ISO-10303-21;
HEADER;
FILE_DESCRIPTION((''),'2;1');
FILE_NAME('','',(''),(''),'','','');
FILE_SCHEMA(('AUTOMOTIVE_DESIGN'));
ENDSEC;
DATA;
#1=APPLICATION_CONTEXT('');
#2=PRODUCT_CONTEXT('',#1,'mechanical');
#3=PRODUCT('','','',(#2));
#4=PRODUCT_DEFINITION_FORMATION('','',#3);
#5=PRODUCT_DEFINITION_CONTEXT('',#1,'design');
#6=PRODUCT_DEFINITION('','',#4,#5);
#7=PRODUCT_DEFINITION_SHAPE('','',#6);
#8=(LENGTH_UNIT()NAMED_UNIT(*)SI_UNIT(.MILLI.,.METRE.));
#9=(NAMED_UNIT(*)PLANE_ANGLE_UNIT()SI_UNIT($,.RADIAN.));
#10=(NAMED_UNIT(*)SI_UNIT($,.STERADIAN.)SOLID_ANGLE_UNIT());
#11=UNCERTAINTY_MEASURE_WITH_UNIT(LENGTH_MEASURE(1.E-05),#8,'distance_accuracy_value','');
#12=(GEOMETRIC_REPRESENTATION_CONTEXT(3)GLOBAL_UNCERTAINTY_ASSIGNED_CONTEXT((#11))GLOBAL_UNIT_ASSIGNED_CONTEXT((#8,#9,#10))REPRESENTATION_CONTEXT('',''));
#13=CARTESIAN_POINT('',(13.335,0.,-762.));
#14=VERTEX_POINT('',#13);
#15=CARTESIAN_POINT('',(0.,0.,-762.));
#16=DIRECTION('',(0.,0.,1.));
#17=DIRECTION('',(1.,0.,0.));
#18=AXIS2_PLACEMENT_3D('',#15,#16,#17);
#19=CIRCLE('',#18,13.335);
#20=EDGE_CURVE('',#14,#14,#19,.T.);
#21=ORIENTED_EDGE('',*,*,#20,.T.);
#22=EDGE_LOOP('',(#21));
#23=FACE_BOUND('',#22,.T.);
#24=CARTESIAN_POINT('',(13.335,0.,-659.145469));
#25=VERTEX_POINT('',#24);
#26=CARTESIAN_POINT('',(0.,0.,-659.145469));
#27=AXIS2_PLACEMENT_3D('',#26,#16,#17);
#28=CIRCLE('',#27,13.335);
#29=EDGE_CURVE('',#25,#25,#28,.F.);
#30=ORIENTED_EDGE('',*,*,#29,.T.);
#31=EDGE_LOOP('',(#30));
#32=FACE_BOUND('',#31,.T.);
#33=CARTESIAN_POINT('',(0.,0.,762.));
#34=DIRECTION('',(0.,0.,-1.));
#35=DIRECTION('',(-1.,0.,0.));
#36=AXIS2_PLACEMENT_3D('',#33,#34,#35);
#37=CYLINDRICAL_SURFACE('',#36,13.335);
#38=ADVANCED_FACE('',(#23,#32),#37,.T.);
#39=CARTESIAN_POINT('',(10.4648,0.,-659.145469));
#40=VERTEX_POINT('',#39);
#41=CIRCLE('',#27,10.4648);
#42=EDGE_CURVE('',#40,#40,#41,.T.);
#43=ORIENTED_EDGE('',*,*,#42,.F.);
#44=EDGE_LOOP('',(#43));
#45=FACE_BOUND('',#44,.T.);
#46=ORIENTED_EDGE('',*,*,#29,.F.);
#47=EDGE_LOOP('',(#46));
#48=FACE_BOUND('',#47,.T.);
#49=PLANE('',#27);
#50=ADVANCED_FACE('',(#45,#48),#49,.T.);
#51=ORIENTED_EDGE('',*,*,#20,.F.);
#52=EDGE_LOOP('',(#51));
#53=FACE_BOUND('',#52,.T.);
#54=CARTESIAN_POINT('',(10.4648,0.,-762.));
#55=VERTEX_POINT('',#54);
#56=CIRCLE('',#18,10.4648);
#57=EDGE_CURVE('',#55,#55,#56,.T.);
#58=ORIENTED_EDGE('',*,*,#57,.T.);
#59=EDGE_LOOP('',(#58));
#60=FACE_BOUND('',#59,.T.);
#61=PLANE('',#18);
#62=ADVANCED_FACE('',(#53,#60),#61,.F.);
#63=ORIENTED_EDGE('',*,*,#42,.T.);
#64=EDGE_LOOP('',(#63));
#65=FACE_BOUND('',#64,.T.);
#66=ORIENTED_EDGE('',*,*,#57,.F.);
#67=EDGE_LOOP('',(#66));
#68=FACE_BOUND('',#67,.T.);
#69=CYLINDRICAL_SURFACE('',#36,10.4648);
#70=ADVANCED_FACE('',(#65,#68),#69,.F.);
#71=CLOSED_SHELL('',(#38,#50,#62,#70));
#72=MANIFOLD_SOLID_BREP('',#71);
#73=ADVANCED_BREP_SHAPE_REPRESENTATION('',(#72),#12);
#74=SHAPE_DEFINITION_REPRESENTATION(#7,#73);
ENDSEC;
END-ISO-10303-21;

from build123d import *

# Parameters (mm, degrees)
SKETCH3_R                = 13.335
SKETCH3_R_2              = 10.4648
BOSS_EXTRUDE1_DEPTH      = 762
BOSS_EXTRUDE1_DEPTH_BACK = 762
SKETCH4_R                = 13.335
CUT_EXTRUDE2_DEPTH       = 1421.145469


with BuildPart() as part:
    # Sketch3 → Boss-Extrude1 (new body, two sides)
    with BuildSketch(Plane.XY) as boss_extrude1_sk:
        Circle(SKETCH3_R)
        Circle(SKETCH3_R_2, mode=Mode.SUBTRACT)
    extrude(amount=BOSS_EXTRUDE1_DEPTH)
    extrude(boss_extrude1_sk.sketch, amount=-BOSS_EXTRUDE1_DEPTH_BACK)

    # Sketch4 → Cut-Extrude2 (cut)
    with BuildSketch(Plane.XY.offset(762)):
        Circle(SKETCH4_R)
    extrude(amount=-CUT_EXTRUDE2_DEPTH, mode=Mode.SUBTRACT)


solid = part.part
